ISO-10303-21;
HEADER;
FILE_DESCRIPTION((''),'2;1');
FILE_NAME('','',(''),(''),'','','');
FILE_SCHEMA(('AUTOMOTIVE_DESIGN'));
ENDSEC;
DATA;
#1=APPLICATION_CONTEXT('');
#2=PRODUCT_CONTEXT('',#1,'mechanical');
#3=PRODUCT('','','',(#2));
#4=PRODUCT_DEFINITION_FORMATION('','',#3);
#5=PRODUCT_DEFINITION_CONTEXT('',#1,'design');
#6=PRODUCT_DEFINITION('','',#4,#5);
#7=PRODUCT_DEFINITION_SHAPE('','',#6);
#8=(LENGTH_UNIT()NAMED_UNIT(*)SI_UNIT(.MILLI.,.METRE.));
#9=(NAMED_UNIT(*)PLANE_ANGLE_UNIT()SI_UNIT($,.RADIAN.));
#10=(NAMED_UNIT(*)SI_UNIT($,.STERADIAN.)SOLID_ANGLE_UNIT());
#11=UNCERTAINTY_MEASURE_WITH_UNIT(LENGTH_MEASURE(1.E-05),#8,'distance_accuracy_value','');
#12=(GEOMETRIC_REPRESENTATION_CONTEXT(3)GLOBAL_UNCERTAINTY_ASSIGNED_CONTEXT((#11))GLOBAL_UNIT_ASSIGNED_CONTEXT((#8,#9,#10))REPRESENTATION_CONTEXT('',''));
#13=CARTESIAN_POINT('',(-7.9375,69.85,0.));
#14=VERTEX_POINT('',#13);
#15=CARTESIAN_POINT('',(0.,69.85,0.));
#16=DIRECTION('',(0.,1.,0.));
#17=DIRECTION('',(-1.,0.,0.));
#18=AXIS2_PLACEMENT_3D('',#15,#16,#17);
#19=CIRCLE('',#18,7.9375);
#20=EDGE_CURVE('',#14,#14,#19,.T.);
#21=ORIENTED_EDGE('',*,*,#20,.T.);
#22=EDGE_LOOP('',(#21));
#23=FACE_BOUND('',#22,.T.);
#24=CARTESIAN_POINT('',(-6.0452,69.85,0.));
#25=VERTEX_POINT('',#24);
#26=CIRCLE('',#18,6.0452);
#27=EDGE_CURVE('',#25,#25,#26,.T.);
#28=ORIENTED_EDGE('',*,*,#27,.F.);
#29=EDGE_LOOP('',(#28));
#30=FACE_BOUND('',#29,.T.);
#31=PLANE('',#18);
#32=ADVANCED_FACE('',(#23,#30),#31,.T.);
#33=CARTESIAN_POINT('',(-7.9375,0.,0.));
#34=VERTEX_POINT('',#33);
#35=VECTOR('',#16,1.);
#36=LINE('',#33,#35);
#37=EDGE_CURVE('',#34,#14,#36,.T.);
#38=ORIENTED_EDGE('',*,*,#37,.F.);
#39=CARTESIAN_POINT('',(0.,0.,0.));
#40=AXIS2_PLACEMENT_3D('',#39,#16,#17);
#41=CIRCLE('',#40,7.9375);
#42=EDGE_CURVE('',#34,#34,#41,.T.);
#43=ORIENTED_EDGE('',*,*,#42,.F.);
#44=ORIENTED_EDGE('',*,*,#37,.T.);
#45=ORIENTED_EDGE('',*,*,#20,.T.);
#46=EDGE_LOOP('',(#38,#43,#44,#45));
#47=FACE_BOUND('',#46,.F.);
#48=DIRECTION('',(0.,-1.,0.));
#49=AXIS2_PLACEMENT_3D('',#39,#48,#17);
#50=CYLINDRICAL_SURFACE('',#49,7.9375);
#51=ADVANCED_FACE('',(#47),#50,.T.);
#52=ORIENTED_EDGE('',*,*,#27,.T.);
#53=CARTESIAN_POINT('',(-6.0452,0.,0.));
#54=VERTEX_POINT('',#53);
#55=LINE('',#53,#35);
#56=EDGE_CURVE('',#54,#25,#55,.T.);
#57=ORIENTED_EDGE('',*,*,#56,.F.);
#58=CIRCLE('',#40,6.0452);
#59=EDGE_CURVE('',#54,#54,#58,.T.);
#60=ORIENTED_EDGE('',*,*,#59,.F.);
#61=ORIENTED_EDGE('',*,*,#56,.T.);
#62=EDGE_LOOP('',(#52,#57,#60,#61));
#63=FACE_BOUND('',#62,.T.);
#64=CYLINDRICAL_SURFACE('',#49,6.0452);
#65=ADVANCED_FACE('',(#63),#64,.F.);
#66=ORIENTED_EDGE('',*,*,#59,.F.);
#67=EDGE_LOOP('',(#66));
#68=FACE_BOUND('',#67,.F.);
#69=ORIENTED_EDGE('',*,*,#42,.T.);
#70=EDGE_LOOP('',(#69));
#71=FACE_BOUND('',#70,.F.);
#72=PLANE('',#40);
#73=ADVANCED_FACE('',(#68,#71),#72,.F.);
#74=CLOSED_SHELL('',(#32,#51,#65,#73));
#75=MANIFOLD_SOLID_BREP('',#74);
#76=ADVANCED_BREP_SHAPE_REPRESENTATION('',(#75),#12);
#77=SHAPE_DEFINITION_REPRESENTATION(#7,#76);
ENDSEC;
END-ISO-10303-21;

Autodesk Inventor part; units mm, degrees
ref_plane "YZ Plane" through (0, 0, 0) normal (1, 0, 0) x (0, 1, 0)
ref_plane "XZ Plane" through (0, 0, 0) normal (0, 1, 0) x (-1, 0, 0)
ref_plane "XY Plane" through (0, 0, 0) normal (0, 0, 1) x (1, 0, 0)
sketch "Sketch1" plane through (0, 0, 0) normal (0, 1, 0) x (-1, 0, 0)
  circle A0 centre (0, 0) radius 7.9375
  circle A1 centre (0, 0) radius 6.0452
  dimension "d0" = 15.875
  dimension "d1" = 12.0904
extrude "Extrusion1" add sketch "Sketch1" along normal blind 69.85
properties part number "roller" material "PC/ABS Plastic"
